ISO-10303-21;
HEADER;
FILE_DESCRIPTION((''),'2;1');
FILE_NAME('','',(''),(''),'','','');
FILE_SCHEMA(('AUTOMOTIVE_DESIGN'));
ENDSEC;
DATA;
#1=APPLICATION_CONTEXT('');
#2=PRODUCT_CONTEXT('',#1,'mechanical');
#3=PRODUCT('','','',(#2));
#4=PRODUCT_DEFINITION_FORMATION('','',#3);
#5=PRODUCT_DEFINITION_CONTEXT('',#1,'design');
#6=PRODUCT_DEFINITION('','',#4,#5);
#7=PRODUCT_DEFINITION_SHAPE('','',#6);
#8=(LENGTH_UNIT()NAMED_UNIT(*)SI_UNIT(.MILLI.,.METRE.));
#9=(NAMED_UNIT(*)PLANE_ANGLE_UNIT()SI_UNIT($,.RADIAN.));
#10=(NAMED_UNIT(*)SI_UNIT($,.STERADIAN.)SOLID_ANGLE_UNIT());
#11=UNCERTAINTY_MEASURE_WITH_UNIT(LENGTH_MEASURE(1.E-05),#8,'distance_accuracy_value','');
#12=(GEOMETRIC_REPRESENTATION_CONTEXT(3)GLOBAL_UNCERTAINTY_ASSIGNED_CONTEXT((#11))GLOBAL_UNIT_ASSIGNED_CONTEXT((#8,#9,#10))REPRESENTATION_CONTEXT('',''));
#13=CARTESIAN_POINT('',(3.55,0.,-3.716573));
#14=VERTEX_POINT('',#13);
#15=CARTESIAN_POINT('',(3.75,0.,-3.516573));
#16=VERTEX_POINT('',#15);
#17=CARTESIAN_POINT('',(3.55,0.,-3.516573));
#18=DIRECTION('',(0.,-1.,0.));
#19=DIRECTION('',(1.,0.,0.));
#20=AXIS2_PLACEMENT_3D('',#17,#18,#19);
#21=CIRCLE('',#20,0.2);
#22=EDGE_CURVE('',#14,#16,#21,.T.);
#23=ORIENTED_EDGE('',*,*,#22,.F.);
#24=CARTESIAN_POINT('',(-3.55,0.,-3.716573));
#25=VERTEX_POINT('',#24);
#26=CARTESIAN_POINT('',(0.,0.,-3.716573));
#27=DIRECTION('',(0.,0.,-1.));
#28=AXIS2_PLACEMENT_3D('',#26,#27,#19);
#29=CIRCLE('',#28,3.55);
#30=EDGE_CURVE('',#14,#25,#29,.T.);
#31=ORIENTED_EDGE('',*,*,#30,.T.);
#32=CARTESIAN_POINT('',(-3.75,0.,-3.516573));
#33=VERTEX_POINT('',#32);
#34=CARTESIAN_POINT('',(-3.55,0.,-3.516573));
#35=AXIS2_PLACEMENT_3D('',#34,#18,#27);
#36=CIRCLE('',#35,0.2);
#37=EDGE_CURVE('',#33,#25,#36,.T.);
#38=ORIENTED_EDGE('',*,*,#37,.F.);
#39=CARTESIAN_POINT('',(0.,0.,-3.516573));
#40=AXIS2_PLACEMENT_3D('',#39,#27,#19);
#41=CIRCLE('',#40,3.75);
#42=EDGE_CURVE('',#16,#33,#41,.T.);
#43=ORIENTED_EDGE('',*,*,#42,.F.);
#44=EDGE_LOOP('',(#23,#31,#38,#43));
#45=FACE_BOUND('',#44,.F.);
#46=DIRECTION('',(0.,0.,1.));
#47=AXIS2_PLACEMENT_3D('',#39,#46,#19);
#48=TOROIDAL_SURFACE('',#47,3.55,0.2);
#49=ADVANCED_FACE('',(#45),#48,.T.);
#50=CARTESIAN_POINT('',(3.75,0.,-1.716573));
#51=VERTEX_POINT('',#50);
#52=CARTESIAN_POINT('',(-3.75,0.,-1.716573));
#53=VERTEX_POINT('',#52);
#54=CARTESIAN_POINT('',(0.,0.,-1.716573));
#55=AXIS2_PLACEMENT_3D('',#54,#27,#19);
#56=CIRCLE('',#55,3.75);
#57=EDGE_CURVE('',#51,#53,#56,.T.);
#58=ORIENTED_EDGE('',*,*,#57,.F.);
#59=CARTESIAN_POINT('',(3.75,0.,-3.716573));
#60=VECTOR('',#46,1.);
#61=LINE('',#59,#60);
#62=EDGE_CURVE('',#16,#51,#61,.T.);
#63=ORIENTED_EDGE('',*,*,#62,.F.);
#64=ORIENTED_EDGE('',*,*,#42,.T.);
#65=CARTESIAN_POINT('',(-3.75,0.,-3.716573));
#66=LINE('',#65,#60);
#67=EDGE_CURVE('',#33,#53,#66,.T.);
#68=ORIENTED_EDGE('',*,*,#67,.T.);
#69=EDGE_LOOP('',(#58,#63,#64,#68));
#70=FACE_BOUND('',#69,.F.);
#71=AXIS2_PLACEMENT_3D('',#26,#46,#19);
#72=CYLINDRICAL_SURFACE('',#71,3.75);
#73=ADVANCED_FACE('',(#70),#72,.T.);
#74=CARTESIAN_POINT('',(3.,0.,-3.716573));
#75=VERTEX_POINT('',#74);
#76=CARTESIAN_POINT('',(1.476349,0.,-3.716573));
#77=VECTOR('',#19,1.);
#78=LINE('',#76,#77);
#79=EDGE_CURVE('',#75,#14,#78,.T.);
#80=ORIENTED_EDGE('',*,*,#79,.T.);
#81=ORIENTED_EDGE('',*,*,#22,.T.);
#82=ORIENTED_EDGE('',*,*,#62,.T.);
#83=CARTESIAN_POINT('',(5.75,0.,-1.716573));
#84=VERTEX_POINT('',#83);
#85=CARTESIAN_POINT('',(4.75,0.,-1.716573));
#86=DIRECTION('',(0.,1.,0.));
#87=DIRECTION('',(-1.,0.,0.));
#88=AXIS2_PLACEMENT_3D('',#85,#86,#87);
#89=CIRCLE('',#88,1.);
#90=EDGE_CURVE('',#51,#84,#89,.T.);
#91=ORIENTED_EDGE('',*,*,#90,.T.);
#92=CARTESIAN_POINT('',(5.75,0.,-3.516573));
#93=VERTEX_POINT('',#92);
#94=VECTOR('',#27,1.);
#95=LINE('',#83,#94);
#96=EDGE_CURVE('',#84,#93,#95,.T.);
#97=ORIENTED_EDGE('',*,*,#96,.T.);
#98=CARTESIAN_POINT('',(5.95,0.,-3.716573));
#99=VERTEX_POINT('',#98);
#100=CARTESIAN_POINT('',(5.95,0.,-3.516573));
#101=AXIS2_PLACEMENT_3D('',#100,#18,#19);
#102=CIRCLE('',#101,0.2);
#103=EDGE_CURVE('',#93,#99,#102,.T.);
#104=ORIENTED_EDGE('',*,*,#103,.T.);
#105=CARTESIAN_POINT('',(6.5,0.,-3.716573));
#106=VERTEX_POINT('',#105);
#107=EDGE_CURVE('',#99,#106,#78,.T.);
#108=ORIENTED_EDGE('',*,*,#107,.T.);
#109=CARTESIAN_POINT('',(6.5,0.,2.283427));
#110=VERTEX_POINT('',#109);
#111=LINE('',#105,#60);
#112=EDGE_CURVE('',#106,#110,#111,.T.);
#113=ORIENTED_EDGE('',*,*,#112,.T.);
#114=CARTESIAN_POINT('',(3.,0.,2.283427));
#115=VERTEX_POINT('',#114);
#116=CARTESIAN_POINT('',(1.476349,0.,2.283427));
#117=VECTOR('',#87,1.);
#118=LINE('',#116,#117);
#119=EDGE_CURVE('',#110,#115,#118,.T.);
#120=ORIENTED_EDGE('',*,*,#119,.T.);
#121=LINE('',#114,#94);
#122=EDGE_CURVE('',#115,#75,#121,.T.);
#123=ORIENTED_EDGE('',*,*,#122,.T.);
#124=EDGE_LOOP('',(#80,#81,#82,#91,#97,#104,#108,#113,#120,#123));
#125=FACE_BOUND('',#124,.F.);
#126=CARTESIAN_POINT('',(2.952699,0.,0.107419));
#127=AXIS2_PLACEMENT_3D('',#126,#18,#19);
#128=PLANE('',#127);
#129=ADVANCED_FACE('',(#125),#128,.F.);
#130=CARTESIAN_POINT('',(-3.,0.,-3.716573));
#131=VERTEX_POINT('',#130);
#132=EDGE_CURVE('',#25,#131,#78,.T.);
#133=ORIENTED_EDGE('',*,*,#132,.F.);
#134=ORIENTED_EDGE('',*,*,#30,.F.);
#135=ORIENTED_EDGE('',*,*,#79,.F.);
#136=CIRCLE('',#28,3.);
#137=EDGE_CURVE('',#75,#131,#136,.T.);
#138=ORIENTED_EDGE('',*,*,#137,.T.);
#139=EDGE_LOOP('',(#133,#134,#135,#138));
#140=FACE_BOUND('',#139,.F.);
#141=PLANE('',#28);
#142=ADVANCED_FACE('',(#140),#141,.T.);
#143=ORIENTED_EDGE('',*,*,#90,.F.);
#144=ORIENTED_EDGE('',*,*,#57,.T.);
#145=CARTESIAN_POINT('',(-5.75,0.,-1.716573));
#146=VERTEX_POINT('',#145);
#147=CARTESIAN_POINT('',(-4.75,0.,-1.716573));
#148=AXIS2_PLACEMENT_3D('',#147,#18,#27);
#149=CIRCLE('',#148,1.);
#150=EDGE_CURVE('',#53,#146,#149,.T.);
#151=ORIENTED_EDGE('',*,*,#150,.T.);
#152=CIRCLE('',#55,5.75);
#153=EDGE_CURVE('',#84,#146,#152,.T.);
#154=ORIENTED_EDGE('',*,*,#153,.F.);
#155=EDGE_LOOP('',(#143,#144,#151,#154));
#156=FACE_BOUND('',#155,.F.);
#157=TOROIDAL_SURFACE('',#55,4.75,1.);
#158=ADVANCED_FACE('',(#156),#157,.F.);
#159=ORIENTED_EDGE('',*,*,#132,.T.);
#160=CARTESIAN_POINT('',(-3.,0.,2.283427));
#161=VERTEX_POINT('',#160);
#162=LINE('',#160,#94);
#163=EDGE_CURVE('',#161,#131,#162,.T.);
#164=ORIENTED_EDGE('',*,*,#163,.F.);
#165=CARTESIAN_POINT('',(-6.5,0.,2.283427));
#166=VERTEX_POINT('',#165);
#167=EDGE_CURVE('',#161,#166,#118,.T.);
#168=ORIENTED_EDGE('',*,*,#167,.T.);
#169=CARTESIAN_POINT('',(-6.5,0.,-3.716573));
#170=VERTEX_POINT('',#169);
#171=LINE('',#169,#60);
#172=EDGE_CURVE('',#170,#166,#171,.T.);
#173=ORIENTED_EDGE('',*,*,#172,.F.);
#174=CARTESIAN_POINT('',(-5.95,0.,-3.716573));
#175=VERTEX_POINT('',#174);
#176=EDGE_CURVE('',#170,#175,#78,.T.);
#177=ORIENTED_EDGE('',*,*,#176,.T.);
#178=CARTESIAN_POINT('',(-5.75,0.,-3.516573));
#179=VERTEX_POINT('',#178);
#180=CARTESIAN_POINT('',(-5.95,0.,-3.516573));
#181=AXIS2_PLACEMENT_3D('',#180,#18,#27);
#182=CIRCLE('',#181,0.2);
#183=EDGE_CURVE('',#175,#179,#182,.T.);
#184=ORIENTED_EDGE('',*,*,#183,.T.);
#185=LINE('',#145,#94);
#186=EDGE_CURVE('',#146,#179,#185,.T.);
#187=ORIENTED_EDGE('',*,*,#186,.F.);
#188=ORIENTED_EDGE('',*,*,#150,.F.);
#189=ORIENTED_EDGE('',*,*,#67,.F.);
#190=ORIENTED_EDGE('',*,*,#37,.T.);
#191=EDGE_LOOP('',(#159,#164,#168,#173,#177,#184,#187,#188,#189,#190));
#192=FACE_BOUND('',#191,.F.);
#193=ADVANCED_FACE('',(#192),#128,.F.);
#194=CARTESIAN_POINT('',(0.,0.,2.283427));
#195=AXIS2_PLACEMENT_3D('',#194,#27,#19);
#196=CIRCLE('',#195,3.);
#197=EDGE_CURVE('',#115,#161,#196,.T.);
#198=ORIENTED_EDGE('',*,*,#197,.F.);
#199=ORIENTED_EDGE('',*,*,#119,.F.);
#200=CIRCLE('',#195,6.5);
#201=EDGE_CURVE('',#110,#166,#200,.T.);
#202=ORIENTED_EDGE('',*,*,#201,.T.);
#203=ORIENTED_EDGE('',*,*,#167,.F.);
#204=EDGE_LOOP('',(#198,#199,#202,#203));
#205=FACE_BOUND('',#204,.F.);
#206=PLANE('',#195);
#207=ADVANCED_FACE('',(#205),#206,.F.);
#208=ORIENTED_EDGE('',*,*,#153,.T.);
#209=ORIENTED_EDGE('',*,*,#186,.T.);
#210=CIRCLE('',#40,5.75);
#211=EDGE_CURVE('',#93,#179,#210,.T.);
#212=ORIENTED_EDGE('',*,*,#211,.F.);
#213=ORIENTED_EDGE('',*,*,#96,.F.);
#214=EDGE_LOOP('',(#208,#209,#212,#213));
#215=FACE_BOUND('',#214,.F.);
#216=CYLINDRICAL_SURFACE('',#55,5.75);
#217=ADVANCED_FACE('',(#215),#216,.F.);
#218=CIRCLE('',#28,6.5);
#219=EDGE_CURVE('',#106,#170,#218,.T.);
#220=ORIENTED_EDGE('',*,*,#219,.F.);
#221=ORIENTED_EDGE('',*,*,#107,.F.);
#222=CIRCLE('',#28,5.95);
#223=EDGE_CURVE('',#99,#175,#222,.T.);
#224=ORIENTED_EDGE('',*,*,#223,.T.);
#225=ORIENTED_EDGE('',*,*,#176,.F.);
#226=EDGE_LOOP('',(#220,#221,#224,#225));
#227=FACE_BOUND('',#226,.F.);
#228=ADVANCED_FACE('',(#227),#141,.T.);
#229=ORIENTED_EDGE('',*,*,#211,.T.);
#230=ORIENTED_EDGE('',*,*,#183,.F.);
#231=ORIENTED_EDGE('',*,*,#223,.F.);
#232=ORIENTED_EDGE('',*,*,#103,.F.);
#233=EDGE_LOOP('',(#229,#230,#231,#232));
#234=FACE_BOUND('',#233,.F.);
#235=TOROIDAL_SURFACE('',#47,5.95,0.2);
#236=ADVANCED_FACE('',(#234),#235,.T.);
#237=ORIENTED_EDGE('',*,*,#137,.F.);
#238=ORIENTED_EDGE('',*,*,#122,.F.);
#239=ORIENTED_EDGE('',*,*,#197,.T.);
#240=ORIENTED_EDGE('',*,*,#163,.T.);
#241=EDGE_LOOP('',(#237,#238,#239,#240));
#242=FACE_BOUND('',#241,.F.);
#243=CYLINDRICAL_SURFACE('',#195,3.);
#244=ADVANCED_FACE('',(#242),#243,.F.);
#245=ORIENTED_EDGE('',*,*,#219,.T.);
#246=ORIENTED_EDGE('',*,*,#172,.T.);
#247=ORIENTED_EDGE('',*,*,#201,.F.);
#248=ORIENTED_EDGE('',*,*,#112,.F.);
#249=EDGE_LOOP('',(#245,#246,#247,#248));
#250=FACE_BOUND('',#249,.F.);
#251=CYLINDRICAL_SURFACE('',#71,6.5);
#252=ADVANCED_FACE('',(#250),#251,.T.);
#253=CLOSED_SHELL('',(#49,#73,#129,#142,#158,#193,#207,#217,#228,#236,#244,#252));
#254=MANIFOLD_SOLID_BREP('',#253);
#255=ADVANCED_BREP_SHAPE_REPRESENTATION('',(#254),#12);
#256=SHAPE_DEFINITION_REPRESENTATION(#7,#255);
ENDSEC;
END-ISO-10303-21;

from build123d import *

# Parameters (mm, degrees)
F2_R     = 0.2
F3_W     = 35.523725
F3_H     = 30.81022
F4_DEPTH = 25


with BuildPart() as f1:
    # F0 (on Front) → F1 (revolve)
    with BuildSketch(Plane.XZ):
        with BuildLine():
            Line((6.5, 2.283427), (3, 2.283427))
            Line((3, 2.283427), (3, -3.716573))
            Line((3, -3.716573), (3.75, -3.716573))
            Line((3.75, -3.716573), (3.75, -1.716573))
            ThreePointArc((3.75, -1.716573), (4.75, -0.716573), (5.75, -1.716573))
            Line((5.75, -1.716573), (5.75, -3.716573))
            Line((5.75, -3.716573), (6.5, -3.716573))
            Line((6.5, -3.716573), (6.5, 2.283427))
        make_face()
    revolve(axis=Axis((0, 0, -0.059434), (0, 0, -1)))

    # F2
    f2_edges = [f1.edges().sort_by_distance(p)[0] for p in [
        (-5.75, 0, -3.716573),
        (-3.75, 0, -3.716573),
    ]]
    fillet(f2_edges, radius=F2_R)

    # F3 (on Front) → F4 (cut)
    with BuildSketch(Plane.XZ):
        with Locations((2.952699, 0.107419)):
            Rectangle(F3_W, F3_H)
    extrude(amount=-F4_DEPTH, mode=Mode.SUBTRACT)


solid = f1.part
